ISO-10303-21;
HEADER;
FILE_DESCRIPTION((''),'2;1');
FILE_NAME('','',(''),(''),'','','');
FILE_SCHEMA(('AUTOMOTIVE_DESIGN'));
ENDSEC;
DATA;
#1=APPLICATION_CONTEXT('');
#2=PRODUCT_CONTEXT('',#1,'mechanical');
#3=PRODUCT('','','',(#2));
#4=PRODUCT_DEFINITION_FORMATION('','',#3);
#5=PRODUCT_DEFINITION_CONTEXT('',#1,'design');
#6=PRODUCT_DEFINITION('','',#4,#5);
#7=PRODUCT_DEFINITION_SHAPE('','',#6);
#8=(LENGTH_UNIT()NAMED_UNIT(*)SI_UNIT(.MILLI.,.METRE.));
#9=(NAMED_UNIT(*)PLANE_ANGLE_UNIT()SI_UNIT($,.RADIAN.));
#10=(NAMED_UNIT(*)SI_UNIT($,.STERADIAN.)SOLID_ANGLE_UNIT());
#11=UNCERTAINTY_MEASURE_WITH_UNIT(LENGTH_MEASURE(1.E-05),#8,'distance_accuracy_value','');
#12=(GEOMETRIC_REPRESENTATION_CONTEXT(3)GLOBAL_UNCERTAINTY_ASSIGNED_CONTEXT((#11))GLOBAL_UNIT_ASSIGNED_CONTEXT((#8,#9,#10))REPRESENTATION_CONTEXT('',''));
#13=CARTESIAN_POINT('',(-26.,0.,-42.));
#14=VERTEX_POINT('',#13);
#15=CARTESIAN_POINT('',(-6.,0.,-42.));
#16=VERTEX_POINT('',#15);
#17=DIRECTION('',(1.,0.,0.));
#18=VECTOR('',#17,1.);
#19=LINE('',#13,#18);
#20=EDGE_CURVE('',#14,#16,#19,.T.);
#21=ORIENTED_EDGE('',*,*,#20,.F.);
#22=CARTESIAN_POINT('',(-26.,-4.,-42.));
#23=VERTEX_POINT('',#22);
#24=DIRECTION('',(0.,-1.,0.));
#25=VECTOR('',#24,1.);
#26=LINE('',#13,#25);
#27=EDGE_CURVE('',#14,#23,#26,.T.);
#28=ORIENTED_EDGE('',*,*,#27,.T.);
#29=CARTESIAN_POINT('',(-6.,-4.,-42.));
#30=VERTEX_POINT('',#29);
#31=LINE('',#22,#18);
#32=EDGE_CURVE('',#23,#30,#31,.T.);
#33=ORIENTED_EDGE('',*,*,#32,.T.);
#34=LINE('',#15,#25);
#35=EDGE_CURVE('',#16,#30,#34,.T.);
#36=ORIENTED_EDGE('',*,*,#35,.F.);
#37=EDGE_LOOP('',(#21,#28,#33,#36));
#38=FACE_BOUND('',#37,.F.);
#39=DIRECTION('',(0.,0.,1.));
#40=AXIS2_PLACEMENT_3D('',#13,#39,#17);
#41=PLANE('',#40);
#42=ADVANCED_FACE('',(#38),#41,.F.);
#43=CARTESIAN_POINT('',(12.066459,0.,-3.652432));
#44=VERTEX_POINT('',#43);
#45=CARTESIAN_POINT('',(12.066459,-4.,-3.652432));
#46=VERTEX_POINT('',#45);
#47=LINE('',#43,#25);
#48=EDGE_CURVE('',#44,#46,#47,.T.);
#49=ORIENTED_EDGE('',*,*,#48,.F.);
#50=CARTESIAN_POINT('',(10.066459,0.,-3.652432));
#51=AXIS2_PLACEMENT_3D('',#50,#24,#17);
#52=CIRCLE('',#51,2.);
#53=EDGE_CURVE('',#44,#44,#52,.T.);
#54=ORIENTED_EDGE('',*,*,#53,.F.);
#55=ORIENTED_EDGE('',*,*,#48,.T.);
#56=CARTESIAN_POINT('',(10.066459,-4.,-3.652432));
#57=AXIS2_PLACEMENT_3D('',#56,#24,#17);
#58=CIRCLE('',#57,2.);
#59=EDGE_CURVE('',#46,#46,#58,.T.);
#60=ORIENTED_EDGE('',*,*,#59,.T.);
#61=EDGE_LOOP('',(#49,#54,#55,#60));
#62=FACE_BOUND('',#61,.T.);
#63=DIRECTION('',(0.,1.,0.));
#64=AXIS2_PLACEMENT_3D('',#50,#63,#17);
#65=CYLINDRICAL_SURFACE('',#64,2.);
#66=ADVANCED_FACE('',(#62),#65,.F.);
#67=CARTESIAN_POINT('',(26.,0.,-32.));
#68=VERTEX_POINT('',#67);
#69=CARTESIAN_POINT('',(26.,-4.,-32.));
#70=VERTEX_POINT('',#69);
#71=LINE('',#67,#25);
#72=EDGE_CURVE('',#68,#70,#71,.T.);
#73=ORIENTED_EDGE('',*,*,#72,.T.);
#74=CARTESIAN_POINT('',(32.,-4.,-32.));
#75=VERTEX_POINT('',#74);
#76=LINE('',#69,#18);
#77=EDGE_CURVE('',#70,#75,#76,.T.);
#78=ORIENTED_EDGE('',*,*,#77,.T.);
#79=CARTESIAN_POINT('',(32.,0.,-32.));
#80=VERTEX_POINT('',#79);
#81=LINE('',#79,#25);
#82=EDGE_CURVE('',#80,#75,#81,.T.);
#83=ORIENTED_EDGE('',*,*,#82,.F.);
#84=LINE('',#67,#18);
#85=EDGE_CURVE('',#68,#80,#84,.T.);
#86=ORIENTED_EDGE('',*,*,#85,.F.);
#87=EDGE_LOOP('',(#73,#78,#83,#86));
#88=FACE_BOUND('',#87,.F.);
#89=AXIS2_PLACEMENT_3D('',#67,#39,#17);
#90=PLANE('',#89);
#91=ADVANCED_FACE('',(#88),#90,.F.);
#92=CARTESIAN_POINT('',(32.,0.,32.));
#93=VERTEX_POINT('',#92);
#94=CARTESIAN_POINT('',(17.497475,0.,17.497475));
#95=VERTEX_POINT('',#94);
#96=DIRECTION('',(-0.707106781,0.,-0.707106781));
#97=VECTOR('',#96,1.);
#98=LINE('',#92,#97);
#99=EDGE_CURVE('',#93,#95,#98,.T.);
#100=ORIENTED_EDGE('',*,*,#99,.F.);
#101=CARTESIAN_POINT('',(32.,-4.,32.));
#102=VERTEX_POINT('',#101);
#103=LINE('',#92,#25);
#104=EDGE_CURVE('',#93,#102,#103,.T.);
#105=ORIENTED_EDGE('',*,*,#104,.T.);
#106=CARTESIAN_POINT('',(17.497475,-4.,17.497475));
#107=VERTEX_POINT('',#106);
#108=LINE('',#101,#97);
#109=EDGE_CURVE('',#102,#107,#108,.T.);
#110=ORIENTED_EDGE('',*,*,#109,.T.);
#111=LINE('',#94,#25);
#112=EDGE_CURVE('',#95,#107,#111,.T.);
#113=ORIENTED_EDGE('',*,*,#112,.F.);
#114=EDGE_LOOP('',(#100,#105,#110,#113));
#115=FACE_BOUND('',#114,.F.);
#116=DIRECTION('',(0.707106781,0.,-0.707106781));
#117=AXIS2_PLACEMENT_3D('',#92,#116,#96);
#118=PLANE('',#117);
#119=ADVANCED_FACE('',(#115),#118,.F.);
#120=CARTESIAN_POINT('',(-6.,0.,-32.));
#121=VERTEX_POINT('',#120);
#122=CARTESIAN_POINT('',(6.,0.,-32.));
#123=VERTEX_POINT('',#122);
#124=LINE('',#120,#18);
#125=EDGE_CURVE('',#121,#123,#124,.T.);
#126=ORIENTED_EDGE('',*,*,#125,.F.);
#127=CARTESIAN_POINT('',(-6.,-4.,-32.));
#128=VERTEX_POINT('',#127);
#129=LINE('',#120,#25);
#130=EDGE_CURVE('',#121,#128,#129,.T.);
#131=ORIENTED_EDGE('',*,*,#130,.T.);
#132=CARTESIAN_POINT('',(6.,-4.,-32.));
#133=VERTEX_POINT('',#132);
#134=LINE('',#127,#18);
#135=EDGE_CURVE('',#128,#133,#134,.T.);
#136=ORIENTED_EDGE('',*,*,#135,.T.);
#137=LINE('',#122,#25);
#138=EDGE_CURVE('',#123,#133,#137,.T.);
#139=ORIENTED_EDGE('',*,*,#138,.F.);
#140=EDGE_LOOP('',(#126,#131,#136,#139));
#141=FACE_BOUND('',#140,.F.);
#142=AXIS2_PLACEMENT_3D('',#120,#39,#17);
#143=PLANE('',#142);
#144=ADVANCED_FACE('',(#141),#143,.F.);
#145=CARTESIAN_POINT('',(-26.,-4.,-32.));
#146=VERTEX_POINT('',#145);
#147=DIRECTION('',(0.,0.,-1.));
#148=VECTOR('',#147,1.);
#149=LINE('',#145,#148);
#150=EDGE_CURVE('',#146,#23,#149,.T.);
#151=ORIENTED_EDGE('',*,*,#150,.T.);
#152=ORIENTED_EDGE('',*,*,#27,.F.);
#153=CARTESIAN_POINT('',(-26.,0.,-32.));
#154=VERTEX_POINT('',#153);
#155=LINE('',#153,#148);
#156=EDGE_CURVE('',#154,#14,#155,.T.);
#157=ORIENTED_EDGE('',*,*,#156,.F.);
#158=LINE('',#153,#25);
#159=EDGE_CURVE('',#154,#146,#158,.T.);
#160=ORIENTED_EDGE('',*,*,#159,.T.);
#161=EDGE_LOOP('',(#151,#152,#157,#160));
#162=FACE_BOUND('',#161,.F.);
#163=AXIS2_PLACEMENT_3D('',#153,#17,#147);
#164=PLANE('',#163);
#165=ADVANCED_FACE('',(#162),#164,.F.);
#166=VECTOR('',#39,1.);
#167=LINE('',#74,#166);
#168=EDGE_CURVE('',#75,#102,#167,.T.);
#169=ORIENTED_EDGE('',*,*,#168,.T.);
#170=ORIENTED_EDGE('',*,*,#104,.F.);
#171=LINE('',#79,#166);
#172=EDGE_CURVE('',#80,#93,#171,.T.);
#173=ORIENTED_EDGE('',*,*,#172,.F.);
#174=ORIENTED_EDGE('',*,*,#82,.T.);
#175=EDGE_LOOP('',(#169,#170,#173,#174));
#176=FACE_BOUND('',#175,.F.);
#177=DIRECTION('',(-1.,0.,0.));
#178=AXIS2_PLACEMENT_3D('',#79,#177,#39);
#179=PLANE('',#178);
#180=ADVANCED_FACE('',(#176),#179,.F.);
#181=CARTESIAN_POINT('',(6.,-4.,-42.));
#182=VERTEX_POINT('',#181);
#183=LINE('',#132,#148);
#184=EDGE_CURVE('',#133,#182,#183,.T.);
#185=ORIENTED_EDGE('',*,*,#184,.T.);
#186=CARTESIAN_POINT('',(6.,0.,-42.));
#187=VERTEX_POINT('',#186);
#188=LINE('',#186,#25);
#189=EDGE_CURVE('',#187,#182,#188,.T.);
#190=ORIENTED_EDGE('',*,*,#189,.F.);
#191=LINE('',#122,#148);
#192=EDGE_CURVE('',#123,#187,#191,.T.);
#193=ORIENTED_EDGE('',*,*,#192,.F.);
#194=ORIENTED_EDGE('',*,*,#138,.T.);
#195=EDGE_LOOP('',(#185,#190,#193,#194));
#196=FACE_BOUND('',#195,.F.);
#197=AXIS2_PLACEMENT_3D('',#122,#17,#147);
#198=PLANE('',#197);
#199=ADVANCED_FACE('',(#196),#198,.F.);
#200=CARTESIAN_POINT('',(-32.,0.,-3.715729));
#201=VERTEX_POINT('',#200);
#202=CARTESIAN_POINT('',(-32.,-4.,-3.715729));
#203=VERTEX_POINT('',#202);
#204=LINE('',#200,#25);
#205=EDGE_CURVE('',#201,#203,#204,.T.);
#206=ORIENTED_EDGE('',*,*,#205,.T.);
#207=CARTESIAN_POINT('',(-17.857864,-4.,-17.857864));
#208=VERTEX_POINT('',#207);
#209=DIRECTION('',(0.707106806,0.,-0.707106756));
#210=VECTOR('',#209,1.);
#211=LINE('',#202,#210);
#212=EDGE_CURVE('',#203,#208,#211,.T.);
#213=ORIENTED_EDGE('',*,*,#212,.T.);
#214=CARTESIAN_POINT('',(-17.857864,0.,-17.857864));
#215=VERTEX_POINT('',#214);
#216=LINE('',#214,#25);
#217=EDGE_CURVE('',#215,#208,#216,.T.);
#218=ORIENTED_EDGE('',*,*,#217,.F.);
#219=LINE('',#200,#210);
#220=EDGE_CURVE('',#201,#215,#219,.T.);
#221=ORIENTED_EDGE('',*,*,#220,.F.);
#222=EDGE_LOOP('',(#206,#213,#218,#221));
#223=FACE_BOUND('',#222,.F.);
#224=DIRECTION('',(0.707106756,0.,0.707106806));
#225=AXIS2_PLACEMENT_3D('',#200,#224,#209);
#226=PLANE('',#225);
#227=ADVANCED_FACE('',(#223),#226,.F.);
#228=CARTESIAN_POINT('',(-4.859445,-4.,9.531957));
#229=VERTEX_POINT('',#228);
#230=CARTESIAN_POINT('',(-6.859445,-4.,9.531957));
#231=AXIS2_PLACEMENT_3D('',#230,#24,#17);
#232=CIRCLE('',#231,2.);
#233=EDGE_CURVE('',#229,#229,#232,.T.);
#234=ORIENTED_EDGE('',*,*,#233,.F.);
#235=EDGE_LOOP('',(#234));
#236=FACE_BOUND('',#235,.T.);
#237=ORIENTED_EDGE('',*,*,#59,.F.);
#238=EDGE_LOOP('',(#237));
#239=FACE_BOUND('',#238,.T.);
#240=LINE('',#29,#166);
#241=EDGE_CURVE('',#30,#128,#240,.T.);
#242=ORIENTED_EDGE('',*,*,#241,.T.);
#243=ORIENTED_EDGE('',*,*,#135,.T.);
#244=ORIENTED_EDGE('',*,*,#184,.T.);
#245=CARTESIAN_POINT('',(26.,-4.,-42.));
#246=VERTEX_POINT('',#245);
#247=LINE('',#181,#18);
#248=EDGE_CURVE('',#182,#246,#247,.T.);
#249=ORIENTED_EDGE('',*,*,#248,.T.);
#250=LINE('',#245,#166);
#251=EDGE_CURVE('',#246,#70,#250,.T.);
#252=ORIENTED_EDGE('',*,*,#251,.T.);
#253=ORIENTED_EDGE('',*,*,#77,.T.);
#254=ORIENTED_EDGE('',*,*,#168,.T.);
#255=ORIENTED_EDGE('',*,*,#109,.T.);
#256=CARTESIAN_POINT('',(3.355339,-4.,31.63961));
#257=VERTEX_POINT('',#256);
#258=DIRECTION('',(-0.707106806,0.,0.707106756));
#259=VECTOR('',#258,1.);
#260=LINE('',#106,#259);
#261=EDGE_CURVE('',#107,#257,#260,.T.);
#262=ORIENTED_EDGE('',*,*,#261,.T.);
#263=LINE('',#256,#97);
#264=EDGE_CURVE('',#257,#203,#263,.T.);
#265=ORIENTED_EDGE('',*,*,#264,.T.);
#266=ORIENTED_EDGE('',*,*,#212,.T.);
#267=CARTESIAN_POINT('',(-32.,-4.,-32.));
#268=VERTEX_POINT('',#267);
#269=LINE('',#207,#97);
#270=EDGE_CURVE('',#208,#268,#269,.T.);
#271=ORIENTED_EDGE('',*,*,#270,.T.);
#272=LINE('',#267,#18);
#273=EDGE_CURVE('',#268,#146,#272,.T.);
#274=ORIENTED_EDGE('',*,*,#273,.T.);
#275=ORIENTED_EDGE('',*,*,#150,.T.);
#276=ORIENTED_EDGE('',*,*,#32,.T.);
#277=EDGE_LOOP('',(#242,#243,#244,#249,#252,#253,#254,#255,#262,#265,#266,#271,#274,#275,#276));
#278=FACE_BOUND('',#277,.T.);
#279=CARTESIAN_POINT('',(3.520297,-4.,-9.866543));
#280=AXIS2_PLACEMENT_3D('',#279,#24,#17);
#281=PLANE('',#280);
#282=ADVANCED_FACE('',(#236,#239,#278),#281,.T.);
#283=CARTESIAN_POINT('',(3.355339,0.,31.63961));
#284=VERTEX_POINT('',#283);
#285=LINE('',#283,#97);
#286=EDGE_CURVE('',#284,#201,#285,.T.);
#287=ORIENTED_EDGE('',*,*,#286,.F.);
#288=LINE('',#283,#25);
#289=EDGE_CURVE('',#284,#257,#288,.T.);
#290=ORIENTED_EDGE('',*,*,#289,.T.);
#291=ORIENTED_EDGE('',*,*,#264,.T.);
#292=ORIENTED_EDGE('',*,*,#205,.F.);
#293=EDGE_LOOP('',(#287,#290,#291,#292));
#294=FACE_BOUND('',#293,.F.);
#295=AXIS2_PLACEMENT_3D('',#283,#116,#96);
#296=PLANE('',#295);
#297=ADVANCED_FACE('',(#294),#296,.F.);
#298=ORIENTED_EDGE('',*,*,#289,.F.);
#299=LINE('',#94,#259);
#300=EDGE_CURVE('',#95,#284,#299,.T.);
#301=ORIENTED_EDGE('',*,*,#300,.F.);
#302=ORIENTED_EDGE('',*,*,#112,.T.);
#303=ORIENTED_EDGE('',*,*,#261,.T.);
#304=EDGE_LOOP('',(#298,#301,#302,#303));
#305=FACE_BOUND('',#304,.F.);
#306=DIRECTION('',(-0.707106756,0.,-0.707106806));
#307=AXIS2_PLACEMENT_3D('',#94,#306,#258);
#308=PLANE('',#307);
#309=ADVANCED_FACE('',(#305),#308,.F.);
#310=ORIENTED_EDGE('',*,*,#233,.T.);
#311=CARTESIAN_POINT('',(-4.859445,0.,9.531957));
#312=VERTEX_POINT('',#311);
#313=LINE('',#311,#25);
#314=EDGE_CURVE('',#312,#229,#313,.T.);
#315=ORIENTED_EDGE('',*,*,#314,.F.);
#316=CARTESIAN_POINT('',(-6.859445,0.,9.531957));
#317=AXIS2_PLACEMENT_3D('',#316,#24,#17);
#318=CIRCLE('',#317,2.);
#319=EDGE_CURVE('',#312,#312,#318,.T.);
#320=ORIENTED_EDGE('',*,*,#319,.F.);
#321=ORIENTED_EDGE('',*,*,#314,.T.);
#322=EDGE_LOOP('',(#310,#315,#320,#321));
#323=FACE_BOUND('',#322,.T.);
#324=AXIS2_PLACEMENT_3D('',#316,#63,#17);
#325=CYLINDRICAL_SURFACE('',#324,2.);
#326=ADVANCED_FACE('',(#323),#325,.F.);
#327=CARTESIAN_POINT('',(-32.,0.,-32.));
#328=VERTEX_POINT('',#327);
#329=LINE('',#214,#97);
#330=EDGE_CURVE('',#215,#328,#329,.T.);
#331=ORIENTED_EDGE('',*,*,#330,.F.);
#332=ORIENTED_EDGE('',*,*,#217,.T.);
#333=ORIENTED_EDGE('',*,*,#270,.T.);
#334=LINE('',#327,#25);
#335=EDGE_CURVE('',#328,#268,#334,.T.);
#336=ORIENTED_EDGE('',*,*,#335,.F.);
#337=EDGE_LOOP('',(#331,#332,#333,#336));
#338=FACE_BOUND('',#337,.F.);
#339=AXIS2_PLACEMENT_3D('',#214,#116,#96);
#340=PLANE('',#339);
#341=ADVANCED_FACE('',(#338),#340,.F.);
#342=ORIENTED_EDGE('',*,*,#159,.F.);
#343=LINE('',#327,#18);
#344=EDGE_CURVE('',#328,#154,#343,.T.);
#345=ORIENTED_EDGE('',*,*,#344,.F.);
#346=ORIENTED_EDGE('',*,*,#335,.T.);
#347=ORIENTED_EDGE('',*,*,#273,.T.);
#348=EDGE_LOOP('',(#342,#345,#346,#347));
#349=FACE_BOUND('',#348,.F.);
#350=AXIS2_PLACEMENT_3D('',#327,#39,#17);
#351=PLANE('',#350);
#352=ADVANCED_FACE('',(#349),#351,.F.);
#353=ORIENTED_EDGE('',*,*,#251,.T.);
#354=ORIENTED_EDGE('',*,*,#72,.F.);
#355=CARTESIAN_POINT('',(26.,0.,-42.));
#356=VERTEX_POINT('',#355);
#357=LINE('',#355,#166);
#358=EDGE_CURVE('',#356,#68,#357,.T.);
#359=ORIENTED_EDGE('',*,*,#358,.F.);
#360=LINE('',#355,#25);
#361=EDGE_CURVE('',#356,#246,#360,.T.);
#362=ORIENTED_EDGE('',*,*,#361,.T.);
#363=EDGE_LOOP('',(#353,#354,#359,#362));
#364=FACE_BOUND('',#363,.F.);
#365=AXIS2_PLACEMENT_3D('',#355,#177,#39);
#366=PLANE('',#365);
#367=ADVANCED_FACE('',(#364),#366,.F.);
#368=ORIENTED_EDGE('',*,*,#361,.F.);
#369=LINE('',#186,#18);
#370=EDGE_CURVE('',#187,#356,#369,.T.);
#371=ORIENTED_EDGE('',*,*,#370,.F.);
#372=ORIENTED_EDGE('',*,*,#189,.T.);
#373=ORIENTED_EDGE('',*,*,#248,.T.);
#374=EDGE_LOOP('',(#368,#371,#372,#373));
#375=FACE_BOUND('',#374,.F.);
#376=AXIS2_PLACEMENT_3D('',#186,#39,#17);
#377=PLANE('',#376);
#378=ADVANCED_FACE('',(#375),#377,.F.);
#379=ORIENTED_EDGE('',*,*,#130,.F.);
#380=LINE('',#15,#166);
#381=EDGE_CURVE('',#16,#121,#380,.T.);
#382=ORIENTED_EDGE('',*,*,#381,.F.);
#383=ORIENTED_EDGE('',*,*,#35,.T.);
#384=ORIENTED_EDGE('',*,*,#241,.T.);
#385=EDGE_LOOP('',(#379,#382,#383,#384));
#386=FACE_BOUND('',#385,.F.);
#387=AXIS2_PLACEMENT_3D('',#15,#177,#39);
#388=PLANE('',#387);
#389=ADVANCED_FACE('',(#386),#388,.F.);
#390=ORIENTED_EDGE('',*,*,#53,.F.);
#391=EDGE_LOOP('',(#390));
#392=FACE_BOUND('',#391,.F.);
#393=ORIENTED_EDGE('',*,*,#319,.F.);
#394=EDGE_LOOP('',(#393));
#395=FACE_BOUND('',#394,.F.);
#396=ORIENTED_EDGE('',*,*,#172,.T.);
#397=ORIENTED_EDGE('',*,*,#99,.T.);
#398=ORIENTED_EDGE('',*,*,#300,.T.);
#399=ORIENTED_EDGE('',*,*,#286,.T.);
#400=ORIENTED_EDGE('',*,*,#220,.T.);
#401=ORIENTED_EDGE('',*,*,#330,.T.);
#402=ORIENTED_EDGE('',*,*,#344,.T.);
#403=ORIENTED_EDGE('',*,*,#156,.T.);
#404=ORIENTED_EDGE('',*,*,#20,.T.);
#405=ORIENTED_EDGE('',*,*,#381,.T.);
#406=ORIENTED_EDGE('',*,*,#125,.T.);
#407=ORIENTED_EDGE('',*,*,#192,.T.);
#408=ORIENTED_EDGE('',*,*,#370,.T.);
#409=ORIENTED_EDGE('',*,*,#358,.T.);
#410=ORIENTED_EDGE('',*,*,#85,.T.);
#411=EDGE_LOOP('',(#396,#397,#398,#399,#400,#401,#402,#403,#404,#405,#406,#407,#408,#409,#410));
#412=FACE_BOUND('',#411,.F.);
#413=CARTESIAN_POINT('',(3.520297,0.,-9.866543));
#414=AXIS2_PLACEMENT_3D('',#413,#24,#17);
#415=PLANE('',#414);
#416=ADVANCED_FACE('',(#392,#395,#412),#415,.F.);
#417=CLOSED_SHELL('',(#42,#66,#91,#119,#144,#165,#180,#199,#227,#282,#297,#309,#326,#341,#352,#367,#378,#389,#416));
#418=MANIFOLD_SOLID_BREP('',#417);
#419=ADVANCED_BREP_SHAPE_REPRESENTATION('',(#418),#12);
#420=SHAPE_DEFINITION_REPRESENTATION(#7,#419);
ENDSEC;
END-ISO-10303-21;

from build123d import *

# Parameters (mm, degrees)
F0_R     = 2
F1_DEPTH = 4


with BuildPart() as f1:
    # F0 (on Front) → F1 (new body)
    with BuildSketch(Plane.XZ):
        Polygon((32, -32), (32, 32), (17.497475, 17.497475), (3.355339, 31.63961), (-32, -3.715729), (-17.857864, -17.857864), (-32, -32), (-26, -32), (-26, -42), (-6, -42), (-6, -32), (6, -32), (6, -42), (26, -42), (26, -32), align=None)
        with Locations((-6.859445, 9.531957)):
            Circle(F0_R, mode=Mode.SUBTRACT)
        with Locations((10.066459, -3.652432)):
            Circle(F0_R, mode=Mode.SUBTRACT)
    extrude(amount=F1_DEPTH)


solid = f1.part
